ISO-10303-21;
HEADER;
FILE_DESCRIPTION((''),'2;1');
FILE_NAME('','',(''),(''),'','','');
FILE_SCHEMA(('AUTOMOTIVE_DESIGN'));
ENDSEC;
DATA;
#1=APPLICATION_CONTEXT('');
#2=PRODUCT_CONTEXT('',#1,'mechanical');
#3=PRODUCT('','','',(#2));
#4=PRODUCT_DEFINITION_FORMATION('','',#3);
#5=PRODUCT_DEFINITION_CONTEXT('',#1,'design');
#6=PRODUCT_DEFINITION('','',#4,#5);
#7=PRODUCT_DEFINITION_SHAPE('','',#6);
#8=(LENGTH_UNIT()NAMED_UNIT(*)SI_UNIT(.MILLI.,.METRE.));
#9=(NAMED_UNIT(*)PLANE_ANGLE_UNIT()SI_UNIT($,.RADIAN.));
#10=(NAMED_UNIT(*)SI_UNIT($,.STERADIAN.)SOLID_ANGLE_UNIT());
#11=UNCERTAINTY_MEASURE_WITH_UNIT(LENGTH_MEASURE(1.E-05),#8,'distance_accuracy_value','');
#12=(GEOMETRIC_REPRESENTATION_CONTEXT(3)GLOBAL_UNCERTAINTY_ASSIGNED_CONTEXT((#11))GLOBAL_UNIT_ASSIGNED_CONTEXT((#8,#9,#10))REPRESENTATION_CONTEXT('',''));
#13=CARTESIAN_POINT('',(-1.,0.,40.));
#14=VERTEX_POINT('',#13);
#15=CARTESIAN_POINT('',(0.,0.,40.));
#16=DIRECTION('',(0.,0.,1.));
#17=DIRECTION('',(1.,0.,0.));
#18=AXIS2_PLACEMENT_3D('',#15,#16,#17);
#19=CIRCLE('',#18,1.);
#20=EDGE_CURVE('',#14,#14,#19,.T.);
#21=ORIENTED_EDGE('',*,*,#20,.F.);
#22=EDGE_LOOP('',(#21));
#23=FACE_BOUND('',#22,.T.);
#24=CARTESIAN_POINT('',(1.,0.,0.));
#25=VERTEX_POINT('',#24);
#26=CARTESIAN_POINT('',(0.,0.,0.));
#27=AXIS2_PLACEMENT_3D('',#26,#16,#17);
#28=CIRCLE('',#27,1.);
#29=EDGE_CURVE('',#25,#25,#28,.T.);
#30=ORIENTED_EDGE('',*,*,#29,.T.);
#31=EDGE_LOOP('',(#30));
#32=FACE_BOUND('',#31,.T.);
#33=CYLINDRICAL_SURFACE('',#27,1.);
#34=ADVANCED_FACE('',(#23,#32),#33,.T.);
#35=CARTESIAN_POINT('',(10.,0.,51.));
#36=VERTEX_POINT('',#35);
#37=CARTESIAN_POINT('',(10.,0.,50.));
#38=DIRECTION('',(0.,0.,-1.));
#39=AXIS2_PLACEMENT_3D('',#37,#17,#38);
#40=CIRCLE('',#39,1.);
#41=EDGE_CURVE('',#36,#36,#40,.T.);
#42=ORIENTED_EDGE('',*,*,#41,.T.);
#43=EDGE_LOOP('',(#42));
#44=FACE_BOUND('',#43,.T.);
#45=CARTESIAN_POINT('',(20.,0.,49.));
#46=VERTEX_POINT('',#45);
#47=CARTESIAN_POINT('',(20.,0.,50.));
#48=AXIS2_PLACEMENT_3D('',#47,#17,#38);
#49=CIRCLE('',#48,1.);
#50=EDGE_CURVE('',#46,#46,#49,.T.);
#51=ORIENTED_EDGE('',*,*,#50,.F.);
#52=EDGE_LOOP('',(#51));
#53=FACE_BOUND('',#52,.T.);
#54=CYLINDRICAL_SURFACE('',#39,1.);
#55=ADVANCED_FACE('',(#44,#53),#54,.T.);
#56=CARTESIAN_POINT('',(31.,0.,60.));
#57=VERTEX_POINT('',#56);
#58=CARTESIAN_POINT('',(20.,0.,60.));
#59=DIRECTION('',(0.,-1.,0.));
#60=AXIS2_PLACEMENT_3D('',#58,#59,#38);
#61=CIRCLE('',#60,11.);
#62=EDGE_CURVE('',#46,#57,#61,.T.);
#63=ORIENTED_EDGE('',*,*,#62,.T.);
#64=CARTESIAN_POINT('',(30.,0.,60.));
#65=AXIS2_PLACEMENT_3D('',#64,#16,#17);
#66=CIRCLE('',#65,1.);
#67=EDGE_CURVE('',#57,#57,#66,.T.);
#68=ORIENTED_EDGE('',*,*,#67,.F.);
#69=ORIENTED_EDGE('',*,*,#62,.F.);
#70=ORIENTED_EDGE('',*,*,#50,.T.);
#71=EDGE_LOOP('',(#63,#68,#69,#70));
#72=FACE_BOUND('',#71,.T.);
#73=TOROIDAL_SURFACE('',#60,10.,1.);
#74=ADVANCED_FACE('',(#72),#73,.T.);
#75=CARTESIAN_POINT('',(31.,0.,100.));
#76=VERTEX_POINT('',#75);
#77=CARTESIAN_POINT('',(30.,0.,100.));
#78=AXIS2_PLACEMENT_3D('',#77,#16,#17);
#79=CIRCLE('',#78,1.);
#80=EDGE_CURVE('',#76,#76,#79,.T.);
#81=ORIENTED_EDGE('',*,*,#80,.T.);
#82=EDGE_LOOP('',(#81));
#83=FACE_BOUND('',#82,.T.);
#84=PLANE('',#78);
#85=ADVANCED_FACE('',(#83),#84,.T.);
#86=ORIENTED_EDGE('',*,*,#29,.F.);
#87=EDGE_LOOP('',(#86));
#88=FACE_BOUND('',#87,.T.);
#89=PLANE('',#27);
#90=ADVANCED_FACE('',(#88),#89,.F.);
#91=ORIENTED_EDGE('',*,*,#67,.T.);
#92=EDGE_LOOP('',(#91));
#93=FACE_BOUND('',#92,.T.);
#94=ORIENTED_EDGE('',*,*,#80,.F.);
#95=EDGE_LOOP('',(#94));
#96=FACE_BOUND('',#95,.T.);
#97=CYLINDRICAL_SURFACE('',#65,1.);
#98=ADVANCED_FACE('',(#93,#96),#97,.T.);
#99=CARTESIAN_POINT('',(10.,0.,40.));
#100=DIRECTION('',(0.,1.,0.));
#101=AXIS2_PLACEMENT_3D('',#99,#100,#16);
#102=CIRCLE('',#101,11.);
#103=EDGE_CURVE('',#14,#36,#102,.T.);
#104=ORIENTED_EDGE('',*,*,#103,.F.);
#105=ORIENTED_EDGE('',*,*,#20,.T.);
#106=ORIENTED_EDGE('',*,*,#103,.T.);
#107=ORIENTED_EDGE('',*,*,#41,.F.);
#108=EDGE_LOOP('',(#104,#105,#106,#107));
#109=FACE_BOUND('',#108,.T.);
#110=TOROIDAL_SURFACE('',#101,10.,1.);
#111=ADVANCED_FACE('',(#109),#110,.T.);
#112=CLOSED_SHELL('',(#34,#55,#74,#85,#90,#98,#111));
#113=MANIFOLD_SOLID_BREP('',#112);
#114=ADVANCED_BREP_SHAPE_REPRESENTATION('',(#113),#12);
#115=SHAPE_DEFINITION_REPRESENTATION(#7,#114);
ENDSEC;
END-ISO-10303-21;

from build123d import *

# Parameters (mm, degrees)
SKETCH_1_R = 1


with BuildPart() as part:
    # ｽｲｰﾌﾟ1: sweep along a path in ｽｹｯﾁ2
    with BuildLine(Plane(origin=(0, 0, 0), x_dir=(1, 0, 0), z_dir=(0, 1, 0))) as sweep_1_path:
        Line((0, 0), (0, -40))
        ThreePointArc((0, -40), (2.928932188, -47.071067812), (10, -50))
        Line((10, -50), (20, -50))
        ThreePointArc((20, -50), (27.071067812, -52.928932188), (30, -60))
        Line((30, -60), (30, -100))
    # ｽｹｯﾁ1 → ｽｲｰﾌﾟ1 (sweep)
    with BuildSketch(Plane.XY):
        Circle(SKETCH_1_R)
    sweep(path=sweep_1_path.line)


solid = part.part
